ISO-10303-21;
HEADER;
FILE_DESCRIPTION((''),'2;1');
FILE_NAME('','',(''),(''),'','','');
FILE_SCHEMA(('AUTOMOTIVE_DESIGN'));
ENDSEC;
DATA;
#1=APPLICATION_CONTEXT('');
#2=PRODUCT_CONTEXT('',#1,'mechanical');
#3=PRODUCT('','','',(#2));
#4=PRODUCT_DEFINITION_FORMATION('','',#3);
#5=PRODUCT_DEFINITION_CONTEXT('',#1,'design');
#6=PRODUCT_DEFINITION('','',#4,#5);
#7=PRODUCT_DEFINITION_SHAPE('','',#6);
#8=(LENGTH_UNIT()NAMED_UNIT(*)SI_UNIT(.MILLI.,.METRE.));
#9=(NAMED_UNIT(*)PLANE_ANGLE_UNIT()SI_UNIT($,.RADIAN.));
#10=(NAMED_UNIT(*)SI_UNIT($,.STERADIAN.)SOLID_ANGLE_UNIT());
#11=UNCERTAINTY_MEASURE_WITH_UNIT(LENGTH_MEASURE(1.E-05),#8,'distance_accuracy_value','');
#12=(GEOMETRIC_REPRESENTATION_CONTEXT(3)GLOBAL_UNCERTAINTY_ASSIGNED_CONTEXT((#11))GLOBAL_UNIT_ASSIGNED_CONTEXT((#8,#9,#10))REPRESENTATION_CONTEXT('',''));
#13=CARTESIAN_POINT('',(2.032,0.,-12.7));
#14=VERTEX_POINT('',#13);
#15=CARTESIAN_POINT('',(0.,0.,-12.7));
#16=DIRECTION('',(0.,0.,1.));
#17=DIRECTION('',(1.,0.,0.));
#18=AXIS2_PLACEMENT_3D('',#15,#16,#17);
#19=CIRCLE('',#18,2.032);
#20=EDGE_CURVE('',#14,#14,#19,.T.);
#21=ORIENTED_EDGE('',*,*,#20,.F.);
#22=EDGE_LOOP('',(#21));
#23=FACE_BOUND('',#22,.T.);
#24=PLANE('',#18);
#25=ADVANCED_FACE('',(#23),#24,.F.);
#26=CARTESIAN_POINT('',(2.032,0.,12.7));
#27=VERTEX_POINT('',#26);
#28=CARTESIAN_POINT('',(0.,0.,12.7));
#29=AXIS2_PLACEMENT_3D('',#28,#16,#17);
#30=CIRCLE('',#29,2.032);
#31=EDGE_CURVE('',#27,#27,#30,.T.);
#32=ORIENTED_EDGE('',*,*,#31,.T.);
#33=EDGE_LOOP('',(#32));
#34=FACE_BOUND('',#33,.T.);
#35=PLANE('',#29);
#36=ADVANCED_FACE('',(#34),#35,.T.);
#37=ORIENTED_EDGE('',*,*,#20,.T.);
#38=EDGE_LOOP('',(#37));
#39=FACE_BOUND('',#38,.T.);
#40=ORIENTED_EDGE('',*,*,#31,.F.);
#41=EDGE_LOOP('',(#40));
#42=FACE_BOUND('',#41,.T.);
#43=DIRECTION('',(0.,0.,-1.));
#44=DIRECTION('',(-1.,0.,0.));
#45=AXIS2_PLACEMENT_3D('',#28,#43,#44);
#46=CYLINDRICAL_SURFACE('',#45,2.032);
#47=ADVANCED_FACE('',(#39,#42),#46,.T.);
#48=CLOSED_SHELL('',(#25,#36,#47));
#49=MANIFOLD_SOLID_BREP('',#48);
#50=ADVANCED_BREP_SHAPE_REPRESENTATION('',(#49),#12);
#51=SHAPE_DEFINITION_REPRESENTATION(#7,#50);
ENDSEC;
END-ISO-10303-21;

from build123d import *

# Parameters (mm, degrees)
ESQUISSE2_R        = 2.032
BOSS_EXTRU_1_DEPTH = 12.7


with BuildPart() as part:
    # Esquisse2 → Boss.-Extru.1 (new, symmetric)
    with BuildSketch(Plane.XY):
        Circle(ESQUISSE2_R)
    extrude(amount=BOSS_EXTRU_1_DEPTH, both=True)


solid = part.part
